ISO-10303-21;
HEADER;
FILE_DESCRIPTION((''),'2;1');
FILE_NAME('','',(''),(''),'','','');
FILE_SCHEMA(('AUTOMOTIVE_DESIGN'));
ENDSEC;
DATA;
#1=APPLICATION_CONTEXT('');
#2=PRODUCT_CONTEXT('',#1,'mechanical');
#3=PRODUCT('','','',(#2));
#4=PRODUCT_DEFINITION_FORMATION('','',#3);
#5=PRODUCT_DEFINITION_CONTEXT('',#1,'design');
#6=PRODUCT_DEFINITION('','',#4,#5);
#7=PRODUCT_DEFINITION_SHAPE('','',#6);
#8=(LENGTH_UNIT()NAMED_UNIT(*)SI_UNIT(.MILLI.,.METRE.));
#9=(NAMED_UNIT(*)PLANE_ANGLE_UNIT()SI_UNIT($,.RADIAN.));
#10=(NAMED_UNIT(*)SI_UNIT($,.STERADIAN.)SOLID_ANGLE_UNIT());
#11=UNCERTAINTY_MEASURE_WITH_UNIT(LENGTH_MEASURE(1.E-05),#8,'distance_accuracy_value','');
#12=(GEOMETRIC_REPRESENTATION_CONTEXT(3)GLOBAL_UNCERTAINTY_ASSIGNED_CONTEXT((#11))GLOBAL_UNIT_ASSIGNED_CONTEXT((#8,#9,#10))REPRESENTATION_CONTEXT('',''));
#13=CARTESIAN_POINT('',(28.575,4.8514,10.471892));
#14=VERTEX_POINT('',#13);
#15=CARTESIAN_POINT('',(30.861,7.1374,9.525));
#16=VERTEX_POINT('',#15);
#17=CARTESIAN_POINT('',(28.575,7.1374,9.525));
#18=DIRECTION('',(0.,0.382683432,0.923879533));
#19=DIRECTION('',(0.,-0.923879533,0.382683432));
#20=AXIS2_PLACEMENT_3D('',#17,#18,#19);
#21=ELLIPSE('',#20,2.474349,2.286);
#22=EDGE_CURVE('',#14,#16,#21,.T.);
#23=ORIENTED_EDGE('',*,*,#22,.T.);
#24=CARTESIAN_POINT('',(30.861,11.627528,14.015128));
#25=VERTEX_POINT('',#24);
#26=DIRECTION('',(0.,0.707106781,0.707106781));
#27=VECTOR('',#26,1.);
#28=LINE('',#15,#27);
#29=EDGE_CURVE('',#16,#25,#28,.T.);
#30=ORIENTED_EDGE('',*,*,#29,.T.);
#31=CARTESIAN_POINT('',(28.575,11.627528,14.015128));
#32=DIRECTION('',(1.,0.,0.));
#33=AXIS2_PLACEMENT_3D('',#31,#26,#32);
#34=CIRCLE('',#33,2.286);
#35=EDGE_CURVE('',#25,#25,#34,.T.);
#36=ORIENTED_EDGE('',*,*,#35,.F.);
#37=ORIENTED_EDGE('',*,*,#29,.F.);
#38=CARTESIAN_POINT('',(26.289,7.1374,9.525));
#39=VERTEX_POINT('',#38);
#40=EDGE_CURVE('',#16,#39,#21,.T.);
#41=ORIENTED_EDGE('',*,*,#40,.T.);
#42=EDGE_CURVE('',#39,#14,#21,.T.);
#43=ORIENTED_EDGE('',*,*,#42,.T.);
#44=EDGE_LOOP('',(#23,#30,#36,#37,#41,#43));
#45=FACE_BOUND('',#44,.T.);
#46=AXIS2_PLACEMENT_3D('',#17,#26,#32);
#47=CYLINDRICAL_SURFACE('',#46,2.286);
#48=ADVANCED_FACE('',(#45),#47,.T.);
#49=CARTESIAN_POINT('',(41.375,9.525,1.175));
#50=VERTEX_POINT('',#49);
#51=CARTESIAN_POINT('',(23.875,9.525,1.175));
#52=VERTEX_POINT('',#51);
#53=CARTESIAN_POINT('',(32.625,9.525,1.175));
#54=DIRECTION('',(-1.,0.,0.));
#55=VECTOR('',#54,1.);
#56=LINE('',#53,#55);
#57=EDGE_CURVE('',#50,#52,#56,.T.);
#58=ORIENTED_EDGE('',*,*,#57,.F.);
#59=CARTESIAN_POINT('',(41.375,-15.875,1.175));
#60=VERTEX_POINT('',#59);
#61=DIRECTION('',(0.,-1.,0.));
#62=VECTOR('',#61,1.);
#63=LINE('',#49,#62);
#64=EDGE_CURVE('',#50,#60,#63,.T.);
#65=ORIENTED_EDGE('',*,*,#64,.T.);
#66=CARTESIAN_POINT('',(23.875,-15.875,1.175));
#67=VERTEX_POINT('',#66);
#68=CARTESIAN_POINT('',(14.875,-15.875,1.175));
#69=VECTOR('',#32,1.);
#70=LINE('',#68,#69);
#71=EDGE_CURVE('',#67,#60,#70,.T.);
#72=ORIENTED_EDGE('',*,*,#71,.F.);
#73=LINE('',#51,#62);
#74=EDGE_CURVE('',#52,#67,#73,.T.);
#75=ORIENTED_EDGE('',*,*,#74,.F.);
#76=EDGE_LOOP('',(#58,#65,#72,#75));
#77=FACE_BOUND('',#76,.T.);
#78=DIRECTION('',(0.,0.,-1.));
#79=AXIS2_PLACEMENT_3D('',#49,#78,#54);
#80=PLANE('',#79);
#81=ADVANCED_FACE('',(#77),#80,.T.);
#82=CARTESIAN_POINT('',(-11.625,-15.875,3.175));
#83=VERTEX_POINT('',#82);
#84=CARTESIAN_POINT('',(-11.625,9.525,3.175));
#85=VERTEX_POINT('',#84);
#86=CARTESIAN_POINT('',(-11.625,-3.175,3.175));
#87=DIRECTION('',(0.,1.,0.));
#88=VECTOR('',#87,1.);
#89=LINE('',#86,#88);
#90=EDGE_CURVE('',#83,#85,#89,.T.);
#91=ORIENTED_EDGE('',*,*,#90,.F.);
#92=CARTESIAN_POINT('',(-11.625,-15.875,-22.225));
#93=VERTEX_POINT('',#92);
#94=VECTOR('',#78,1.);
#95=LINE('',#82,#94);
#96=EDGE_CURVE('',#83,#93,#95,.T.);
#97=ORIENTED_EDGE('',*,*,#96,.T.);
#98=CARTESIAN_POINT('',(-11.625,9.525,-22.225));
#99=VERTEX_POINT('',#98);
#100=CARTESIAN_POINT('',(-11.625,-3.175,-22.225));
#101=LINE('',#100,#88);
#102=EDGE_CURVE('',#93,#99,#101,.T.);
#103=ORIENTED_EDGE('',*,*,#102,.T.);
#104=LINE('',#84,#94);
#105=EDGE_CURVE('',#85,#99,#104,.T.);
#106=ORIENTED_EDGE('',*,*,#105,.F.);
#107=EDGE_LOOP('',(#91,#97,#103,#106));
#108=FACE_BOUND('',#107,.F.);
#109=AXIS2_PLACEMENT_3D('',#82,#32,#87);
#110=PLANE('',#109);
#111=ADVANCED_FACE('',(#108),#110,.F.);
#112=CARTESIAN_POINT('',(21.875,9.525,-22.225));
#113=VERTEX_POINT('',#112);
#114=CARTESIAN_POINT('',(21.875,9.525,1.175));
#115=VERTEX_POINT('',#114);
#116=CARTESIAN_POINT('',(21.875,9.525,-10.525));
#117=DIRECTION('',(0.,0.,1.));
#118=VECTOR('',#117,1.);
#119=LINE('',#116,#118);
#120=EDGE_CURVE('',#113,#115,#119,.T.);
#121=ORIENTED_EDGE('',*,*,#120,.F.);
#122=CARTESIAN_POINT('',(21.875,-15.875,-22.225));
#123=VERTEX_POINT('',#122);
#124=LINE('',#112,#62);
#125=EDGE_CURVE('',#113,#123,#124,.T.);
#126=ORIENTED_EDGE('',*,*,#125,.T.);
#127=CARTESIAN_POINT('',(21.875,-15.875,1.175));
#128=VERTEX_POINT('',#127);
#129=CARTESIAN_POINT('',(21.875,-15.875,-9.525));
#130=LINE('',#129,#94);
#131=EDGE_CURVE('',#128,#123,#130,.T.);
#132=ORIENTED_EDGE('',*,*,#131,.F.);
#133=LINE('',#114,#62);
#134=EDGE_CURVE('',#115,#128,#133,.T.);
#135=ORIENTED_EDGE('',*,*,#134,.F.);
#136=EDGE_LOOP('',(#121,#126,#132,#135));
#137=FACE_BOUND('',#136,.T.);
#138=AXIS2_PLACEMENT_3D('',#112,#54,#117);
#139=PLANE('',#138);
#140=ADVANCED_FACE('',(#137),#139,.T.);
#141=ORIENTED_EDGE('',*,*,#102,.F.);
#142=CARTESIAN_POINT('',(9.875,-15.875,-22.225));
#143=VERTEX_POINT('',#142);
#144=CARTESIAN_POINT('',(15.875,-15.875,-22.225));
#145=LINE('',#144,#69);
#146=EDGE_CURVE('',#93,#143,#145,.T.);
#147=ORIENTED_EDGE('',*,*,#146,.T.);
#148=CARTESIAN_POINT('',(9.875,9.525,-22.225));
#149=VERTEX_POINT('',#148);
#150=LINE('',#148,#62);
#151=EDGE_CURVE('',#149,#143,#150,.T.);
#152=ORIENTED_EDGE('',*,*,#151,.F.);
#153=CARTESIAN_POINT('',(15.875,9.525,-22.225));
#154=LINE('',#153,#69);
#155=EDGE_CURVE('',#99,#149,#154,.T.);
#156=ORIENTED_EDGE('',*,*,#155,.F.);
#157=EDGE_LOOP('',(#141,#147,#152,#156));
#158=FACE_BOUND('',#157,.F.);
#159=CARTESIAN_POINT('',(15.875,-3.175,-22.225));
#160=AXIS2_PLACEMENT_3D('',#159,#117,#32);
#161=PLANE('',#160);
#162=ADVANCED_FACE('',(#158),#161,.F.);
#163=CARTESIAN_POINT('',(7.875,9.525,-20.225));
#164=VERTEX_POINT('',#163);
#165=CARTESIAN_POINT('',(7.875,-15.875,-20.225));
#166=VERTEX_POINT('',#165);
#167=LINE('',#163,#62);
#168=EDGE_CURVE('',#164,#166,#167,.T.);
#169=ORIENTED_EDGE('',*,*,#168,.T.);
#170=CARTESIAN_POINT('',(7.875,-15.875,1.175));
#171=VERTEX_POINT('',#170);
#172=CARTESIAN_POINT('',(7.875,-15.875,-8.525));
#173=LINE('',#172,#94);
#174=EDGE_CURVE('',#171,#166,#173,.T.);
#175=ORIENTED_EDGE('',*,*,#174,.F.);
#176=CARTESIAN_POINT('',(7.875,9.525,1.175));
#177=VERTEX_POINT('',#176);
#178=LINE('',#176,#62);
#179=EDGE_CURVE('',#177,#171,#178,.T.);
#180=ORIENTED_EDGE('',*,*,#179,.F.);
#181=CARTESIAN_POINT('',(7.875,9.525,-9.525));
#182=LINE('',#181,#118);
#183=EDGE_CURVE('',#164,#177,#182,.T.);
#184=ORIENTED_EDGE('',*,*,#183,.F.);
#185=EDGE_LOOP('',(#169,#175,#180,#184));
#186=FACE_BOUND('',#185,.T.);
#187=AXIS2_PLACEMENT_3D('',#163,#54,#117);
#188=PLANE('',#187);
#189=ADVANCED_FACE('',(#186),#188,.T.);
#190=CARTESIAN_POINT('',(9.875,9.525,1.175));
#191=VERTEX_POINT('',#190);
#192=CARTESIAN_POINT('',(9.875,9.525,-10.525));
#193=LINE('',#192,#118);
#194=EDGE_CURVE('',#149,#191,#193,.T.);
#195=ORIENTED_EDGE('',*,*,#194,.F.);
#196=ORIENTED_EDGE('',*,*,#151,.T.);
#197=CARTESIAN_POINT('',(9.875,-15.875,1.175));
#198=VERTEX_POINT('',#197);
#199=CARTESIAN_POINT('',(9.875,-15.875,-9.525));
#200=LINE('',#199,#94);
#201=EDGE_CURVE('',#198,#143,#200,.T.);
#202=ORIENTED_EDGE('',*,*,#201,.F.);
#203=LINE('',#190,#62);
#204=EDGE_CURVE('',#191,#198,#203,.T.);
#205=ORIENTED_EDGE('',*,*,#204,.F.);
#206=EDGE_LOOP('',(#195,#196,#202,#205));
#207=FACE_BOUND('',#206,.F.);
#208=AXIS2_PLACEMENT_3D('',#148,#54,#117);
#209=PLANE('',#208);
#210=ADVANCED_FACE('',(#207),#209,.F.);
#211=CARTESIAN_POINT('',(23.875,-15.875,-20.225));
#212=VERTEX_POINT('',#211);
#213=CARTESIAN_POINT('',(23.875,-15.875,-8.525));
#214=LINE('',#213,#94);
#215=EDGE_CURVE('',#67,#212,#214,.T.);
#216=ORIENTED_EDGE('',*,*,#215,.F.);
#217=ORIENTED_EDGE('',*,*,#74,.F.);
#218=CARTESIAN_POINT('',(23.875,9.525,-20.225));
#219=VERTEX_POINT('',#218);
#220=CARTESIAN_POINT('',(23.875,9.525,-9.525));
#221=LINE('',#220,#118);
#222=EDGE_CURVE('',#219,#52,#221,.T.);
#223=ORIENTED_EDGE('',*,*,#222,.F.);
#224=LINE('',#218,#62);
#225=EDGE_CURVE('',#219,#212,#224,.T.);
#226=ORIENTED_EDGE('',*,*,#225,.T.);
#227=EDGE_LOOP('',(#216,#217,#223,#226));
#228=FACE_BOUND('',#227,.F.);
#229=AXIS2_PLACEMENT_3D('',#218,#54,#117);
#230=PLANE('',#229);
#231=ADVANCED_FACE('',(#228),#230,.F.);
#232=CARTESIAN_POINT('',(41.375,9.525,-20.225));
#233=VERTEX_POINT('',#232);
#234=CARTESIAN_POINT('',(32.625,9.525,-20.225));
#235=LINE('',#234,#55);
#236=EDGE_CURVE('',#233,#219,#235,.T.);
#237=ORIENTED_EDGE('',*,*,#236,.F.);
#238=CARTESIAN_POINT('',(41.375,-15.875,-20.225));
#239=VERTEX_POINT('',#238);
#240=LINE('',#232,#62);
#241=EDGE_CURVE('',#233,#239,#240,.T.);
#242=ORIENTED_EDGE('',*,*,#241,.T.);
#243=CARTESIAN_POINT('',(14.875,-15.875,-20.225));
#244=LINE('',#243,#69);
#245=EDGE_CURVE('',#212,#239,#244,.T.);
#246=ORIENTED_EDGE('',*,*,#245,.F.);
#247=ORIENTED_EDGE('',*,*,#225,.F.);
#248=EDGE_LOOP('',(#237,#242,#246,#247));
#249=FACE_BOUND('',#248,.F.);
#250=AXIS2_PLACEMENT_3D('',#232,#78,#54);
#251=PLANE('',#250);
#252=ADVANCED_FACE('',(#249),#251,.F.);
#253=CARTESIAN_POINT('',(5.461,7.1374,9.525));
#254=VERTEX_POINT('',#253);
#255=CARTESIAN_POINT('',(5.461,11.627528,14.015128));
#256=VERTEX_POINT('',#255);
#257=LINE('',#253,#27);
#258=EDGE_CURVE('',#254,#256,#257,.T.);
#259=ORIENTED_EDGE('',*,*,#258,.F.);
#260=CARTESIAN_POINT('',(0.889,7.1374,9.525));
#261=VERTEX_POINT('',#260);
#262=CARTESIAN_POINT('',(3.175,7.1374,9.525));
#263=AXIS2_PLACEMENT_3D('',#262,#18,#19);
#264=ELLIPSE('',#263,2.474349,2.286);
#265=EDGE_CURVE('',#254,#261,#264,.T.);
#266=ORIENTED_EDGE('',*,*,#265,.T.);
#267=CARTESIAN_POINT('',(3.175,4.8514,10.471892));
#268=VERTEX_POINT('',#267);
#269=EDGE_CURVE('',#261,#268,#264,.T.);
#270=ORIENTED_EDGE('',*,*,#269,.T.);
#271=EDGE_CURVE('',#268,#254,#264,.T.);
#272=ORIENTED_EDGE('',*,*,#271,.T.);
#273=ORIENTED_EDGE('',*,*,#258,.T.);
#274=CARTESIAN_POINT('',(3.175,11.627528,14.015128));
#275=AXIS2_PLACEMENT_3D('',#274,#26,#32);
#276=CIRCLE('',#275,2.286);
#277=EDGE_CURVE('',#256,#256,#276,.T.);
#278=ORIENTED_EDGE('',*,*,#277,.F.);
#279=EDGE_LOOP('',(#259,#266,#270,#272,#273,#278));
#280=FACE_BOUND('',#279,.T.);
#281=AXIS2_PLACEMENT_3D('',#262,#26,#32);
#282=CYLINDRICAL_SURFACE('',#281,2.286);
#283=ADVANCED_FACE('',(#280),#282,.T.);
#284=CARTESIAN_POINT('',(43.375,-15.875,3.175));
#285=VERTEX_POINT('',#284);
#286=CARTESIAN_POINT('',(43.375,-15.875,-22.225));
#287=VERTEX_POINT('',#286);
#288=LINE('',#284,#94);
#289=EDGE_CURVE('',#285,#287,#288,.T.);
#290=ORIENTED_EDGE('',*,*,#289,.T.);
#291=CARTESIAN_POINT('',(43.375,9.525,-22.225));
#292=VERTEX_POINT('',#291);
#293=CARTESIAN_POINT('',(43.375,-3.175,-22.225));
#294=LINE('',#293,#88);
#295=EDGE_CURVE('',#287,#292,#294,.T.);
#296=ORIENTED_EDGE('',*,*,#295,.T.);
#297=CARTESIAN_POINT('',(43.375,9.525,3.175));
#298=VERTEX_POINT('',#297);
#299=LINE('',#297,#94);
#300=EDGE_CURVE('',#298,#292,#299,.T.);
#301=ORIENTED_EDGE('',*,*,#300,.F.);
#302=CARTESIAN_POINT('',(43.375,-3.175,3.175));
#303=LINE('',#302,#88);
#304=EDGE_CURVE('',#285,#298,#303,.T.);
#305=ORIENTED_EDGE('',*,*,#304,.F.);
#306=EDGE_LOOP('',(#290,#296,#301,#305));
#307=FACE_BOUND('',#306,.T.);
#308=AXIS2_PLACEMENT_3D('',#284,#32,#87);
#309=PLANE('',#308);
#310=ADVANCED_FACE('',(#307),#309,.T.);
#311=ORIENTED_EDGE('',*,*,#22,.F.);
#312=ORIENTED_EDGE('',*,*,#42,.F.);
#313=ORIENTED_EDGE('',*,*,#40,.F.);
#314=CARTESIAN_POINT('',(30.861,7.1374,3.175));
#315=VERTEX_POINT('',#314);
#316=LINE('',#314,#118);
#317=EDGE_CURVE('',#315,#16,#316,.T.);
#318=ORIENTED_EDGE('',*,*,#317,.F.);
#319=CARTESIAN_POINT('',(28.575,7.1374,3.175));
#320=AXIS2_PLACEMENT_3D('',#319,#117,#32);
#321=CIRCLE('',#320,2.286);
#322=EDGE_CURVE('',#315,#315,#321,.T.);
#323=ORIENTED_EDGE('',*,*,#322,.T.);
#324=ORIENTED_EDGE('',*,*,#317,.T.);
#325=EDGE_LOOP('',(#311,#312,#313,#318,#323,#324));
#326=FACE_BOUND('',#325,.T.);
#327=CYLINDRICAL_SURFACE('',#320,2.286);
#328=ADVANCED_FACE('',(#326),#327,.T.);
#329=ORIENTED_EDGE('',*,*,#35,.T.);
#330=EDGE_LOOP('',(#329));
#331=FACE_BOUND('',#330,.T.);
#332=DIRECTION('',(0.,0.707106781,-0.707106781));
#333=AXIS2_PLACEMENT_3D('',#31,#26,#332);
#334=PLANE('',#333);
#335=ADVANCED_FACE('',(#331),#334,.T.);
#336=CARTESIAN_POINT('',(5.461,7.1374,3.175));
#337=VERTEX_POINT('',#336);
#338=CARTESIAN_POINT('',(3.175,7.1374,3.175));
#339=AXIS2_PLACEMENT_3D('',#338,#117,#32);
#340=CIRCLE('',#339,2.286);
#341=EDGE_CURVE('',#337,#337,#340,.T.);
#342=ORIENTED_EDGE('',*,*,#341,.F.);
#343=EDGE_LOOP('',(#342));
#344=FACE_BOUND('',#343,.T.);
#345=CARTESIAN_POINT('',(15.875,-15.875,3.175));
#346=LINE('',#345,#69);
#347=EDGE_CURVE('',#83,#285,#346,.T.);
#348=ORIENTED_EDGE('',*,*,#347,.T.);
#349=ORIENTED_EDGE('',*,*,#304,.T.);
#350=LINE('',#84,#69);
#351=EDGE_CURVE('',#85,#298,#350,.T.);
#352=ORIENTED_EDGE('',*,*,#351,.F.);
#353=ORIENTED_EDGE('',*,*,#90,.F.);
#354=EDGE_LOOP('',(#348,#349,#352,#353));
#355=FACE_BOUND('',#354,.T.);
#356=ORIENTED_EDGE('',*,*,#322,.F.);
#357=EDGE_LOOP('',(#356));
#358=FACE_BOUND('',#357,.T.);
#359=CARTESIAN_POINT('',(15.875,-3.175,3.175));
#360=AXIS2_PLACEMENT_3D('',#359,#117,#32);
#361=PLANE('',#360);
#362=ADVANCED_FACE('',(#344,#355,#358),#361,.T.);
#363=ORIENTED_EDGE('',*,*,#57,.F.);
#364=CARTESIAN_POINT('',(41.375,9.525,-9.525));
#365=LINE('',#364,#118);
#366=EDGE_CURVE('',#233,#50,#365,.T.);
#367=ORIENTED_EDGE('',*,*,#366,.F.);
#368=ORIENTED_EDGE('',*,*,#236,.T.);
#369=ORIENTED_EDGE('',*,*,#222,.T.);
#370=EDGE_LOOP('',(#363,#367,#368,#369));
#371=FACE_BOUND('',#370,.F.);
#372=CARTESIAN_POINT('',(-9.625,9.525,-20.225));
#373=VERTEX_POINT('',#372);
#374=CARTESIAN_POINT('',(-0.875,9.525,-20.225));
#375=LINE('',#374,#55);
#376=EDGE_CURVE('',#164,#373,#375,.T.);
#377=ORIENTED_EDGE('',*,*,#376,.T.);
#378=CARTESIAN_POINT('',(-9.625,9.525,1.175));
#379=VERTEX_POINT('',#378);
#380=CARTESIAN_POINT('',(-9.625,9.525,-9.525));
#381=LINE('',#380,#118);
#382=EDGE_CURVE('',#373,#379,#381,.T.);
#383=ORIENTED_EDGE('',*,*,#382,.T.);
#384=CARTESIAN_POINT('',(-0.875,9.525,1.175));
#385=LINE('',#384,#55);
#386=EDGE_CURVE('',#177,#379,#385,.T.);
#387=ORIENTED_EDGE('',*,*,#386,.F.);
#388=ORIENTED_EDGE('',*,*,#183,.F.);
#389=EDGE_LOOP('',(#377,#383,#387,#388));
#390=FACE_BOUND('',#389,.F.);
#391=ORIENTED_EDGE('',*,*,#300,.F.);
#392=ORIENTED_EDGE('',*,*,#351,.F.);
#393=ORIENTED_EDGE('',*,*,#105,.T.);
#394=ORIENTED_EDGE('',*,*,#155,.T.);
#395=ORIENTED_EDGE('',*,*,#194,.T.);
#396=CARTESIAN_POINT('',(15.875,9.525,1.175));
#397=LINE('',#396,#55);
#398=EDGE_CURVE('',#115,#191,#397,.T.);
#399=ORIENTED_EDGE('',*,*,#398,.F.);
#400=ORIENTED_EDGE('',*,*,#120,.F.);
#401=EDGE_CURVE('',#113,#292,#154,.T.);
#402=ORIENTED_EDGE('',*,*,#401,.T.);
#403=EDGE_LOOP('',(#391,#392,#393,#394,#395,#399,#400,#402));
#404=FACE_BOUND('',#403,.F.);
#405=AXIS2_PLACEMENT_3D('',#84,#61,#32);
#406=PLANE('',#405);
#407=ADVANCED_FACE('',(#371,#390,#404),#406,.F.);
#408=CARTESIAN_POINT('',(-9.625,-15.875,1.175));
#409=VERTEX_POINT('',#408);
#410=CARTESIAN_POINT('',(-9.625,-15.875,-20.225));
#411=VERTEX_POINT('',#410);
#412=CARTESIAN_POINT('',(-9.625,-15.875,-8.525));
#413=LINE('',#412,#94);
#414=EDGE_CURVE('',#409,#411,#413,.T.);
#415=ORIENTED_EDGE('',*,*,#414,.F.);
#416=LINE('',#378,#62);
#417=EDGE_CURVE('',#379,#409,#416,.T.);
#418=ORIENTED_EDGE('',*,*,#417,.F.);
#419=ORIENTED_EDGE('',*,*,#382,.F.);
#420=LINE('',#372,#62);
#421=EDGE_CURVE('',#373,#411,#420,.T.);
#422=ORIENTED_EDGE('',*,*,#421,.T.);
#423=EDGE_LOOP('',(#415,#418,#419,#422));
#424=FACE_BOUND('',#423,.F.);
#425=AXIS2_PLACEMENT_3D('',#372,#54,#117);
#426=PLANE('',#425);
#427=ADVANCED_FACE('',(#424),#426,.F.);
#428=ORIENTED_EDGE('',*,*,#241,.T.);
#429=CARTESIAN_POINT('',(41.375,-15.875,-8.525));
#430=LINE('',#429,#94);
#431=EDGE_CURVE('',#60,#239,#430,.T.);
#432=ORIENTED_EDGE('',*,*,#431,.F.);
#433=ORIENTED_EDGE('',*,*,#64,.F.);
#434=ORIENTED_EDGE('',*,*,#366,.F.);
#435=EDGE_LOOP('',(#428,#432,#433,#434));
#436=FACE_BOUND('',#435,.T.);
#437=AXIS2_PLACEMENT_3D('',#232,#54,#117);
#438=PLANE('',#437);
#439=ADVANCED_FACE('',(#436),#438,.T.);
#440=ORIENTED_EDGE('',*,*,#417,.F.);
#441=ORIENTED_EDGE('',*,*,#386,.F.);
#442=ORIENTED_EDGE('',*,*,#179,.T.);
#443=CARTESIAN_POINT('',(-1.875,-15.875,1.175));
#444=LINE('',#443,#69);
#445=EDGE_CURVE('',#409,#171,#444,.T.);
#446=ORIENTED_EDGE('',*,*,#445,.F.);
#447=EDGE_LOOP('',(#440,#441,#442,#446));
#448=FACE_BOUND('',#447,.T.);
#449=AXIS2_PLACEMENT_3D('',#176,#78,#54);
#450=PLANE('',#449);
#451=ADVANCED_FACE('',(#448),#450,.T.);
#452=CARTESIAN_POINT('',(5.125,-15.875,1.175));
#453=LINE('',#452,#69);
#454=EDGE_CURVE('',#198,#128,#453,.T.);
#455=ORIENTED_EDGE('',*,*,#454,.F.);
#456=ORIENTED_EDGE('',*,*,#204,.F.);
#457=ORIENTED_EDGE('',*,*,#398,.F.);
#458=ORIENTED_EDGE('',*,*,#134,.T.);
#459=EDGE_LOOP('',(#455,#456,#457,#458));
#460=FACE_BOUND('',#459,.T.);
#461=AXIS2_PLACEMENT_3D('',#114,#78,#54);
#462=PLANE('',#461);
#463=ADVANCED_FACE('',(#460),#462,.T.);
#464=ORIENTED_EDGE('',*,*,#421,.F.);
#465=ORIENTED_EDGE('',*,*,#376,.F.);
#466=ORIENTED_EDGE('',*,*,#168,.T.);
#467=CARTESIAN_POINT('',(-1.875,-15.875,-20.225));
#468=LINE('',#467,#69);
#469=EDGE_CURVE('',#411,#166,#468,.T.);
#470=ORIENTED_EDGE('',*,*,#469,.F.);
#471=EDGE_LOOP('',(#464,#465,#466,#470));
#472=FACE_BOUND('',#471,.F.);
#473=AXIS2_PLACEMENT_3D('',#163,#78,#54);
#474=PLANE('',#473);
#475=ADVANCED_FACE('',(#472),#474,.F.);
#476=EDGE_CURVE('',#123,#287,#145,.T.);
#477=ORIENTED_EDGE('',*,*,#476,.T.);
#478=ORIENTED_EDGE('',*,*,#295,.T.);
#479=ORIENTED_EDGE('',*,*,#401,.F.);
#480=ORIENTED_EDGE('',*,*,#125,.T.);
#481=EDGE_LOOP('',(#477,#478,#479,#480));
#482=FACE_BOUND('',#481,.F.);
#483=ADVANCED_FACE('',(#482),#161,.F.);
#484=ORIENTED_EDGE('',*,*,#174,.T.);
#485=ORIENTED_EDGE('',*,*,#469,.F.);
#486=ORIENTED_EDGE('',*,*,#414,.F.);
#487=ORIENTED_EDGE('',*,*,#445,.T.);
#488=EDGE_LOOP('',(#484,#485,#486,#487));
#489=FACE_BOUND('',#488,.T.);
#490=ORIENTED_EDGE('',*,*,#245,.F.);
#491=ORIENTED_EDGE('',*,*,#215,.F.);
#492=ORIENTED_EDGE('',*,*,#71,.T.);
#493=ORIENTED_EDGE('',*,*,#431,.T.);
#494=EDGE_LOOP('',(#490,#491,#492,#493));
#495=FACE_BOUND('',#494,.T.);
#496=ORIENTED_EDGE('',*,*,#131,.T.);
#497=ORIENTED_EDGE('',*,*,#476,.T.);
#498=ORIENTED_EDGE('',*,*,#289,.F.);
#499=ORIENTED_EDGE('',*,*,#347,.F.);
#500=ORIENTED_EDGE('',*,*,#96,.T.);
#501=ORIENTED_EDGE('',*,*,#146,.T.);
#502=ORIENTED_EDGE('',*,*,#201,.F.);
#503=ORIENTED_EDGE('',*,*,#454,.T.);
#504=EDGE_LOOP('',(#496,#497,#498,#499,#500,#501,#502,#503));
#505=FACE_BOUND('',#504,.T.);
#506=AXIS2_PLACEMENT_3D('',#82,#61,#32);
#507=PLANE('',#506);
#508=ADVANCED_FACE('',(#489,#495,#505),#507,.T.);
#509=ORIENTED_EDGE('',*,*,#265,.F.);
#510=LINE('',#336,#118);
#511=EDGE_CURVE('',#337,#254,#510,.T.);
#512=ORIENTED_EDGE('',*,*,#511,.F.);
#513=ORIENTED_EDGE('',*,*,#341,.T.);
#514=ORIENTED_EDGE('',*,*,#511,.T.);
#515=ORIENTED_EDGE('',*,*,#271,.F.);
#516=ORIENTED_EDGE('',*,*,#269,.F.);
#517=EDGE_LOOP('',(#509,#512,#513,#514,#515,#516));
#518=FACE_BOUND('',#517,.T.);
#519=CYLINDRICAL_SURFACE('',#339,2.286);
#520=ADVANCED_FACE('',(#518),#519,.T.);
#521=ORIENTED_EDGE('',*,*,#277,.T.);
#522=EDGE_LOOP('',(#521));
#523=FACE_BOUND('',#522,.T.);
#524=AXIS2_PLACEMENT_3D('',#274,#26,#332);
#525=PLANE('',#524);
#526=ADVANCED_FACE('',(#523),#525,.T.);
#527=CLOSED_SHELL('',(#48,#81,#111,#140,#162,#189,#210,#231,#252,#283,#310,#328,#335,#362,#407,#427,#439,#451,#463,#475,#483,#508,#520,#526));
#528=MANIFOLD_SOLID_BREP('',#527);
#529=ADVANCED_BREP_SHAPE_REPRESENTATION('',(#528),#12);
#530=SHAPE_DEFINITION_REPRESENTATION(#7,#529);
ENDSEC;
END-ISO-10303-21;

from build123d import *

# Parameters (mm, degrees)
F0_W      = 31.75
F0_H      = 9.525
F1_DEPTH  = 3.175
F4_R      = 2.286
F8_R      = 2.286
F10_W     = 55
F10_H     = 25.4
F11_DEPTH = 25.4
F12_W     = 17.5
F12_H     = 21.4
F12_W_2   = 12
F12_H_2   = 23.4
F13_DEPTH = 25.401


with BuildPart() as f1:
    # F0 (on Top) → F1 (new body)
    with BuildSketch(Plane.XY):
        with Locations((15.875, 4.7625)):
            Rectangle(F0_W, F0_H)
    extrude(amount=F1_DEPTH)

    # F5: sweep along a path in F3
    with BuildLine(Plane.YZ.offset(28.575)) as f5_path:
        Line((7.1374, 3.175), (7.1374, 9.525))
        Line((7.1374, 9.525), (11.6275280605, 14.0151280605))
    # F4 (on face) → F5 (sweep)
    with BuildSketch(Plane.XY.offset(3.175)):
        with Locations((28.575, 7.1374)):
            Circle(F4_R)
    sweep(path=f5_path.line, transition=Transition.RIGHT)

    # F9: sweep along a path in F7
    with BuildLine(Plane.YZ.offset(3.175)) as f9_path:
        Line((7.1374, 3.175), (7.1374, 9.525))
        Line((7.1374, 9.525), (11.6275280605, 14.0151280605))
    # F8 (on face) → F9 (sweep)
    with BuildSketch(Plane.XY.offset(3.175)):
        with Locations((3.175, 7.1374)):
            Circle(F8_R)
    sweep(path=f9_path.line, transition=Transition.RIGHT)

    # F10 (on face) → F11 (join)
    with BuildSketch(Plane.XY.offset(3.175)):
        with Locations((15.875, -3.175)):
            Rectangle(F10_W, F10_H)
    extrude(amount=-F11_DEPTH)

    # F12 (on face) → F13 (cut, through all)
    with BuildSketch(Plane(origin=(0, 9.525, 0), x_dir=(-1, 0, 0), z_dir=(0, 1, 0))):
        with Locations((-32.625, -9.525)):
            Rectangle(F12_W, F12_H)
        with Locations((-15.875, -10.525)):
            Rectangle(F12_W_2, F12_H_2)
        with Locations((0.875, -9.525)):
            Rectangle(F12_W, F12_H)
    extrude(amount=-F13_DEPTH, mode=Mode.SUBTRACT)


solid = f1.part
